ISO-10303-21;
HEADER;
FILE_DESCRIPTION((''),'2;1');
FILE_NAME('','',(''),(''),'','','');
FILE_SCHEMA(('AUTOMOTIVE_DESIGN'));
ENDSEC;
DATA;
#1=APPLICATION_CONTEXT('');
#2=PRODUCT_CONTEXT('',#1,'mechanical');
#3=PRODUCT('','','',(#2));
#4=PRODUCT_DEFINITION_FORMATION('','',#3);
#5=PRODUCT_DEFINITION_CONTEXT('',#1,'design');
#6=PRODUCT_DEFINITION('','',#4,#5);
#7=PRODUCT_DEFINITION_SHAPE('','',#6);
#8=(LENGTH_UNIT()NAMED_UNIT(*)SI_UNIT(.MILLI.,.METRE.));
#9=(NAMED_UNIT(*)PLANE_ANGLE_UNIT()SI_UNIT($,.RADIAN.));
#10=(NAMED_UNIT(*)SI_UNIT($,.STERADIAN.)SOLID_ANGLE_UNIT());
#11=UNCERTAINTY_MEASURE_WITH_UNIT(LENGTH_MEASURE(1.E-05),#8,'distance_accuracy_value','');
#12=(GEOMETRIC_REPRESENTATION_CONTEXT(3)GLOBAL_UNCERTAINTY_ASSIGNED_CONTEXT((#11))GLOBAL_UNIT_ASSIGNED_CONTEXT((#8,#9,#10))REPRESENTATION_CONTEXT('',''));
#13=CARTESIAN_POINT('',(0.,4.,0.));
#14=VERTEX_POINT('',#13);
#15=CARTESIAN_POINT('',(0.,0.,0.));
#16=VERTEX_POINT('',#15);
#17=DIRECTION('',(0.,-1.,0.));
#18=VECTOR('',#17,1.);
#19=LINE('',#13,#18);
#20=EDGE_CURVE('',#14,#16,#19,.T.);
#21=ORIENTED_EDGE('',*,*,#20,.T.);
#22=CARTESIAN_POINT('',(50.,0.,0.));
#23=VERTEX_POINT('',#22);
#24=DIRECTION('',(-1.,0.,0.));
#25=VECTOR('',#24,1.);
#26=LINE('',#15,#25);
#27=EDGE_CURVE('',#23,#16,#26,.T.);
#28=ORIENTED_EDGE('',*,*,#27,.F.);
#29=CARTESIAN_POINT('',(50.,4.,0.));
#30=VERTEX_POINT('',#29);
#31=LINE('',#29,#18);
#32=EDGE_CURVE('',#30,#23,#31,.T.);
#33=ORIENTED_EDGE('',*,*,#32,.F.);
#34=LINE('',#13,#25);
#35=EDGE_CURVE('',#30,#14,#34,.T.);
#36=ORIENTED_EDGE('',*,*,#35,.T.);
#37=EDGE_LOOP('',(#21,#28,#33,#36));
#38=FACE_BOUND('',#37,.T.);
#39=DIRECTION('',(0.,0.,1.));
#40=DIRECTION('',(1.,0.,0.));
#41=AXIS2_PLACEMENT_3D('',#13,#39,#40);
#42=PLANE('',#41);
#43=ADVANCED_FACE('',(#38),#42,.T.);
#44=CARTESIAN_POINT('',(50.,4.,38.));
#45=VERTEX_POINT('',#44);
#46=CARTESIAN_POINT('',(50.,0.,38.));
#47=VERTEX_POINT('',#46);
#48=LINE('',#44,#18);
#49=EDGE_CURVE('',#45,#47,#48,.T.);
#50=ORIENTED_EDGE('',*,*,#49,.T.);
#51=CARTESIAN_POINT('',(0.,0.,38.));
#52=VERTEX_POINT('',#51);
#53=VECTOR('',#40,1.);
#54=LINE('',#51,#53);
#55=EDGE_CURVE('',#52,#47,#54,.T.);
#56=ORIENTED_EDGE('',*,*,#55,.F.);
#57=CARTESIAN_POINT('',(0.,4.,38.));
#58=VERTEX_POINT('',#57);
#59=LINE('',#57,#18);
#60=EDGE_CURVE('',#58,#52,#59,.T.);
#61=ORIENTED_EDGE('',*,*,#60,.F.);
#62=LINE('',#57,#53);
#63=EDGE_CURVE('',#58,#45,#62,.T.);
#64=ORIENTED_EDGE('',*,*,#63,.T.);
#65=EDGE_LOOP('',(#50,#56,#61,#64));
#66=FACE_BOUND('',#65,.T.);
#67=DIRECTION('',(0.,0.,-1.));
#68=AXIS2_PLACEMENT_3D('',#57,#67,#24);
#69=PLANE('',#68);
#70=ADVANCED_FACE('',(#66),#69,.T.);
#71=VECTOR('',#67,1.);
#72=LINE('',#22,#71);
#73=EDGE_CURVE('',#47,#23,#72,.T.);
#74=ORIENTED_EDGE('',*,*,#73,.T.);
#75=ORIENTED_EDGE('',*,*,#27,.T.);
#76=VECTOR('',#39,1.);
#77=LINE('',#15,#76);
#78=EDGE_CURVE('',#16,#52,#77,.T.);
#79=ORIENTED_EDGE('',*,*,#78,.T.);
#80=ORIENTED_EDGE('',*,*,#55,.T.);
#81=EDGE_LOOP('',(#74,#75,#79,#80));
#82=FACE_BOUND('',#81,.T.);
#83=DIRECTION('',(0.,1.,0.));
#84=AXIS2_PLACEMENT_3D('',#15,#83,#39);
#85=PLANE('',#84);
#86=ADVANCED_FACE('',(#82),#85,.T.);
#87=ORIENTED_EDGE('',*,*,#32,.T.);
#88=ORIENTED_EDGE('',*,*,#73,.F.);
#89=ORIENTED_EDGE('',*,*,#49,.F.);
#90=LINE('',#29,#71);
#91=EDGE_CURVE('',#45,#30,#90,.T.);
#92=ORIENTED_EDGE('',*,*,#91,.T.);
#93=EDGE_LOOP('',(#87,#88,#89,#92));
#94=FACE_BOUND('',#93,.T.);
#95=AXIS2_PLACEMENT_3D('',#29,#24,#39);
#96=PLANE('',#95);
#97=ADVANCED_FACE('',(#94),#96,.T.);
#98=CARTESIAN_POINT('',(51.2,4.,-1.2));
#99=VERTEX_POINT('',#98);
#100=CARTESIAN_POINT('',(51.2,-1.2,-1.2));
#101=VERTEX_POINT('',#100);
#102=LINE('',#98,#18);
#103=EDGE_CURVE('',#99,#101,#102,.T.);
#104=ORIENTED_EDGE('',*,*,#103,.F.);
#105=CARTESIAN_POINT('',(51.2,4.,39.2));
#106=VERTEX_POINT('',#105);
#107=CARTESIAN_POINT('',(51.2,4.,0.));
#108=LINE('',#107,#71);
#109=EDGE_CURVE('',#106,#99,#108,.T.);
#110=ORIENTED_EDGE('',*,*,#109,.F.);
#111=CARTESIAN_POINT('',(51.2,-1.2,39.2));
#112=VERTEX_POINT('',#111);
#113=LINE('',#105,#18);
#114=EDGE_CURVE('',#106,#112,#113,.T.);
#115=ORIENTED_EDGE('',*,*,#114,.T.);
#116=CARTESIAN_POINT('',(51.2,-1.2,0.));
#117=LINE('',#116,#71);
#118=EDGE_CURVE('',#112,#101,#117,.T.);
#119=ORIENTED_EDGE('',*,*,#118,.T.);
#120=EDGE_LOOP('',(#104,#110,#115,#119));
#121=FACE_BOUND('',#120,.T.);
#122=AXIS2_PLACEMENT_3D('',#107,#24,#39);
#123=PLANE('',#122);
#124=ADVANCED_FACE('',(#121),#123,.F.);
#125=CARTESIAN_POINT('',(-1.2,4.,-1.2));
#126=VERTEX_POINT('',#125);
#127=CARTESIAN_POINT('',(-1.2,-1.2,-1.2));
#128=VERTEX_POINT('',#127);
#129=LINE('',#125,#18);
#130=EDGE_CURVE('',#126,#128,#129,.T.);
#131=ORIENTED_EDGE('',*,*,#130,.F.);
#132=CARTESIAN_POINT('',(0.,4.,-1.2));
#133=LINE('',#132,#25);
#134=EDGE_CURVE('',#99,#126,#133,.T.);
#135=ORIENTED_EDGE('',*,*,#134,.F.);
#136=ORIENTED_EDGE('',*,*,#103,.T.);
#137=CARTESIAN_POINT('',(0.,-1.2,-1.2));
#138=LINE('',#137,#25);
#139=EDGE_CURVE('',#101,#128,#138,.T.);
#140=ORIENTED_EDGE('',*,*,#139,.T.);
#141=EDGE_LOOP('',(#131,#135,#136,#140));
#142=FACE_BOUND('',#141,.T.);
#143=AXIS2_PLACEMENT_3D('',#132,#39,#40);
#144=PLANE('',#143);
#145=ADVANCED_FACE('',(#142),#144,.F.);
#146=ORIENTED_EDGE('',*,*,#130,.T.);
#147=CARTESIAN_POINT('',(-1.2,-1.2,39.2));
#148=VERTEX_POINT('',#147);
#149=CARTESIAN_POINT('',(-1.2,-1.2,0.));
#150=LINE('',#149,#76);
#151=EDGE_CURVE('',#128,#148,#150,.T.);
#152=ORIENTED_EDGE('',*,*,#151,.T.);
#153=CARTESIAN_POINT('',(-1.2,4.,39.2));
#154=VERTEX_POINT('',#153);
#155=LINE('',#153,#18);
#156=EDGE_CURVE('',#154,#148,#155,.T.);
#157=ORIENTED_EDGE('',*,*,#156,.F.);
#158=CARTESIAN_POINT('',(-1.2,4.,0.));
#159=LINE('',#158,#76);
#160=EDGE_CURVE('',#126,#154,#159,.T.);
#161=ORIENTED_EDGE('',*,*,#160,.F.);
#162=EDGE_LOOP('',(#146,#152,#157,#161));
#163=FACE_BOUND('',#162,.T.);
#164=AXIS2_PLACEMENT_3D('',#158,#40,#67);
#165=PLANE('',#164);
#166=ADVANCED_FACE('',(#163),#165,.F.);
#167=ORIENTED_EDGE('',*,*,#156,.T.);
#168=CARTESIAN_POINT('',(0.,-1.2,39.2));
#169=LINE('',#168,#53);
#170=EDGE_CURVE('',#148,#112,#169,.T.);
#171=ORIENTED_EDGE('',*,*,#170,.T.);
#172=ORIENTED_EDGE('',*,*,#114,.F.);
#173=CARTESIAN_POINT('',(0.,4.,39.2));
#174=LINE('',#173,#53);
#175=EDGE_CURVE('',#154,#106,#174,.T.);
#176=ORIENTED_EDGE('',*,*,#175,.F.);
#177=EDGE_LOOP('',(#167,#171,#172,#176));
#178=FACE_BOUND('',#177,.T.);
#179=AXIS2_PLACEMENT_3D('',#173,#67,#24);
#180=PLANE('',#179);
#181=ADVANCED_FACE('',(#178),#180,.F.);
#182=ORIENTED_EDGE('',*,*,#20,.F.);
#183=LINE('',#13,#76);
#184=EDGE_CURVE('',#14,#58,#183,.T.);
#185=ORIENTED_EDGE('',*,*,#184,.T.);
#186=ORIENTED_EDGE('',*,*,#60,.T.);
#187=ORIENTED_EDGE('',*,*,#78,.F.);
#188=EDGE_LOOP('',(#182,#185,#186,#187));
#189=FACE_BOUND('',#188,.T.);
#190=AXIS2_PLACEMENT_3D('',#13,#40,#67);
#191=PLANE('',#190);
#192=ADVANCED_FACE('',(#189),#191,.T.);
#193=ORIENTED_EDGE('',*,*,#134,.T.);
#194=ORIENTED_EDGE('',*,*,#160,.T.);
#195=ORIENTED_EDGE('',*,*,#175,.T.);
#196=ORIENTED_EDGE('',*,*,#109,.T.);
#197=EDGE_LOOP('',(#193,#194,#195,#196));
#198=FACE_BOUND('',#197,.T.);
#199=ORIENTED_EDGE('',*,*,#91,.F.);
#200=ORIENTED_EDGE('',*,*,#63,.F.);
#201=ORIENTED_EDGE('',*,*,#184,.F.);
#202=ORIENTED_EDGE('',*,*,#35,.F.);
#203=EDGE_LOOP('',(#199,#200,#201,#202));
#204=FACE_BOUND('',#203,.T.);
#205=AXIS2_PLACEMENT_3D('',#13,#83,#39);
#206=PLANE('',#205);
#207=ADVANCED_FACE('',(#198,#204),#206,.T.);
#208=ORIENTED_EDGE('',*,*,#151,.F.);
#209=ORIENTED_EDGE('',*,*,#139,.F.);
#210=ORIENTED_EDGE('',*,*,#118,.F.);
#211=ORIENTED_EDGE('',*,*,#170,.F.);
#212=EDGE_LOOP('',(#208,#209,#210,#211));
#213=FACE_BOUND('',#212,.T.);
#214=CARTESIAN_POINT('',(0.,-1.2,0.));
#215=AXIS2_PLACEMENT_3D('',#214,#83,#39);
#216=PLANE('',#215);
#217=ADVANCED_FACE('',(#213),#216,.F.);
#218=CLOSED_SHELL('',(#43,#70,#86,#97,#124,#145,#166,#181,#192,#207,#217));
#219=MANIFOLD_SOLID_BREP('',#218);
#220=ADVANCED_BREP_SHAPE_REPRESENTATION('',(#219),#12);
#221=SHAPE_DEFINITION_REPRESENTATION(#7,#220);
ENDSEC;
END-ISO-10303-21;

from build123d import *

# Parameters (mm, degrees)
SKETCH1_W           = 50
SKETCH1_H           = 38
BOSS_EXTRUDE1_DEPTH = 4
SHELL1_T            = 1.2


with BuildPart() as part:
    # Sketch1 → Boss-Extrude1 (new body)
    with BuildSketch(Plane(origin=(0, 0, 0), x_dir=(1, 0, 0), z_dir=(0, 1, 0))):
        with Locations((25, -19)):
            Rectangle(SKETCH1_W, SKETCH1_H)
    extrude(amount=BOSS_EXTRUDE1_DEPTH)

    # Shell1
    shell1_openings = [part.faces().sort_by_distance(p)[0] for p in [
        (25, 4, 19),
    ]]
    offset(amount=SHELL1_T, openings=shell1_openings, kind=Kind.INTERSECTION)


solid = part.part
